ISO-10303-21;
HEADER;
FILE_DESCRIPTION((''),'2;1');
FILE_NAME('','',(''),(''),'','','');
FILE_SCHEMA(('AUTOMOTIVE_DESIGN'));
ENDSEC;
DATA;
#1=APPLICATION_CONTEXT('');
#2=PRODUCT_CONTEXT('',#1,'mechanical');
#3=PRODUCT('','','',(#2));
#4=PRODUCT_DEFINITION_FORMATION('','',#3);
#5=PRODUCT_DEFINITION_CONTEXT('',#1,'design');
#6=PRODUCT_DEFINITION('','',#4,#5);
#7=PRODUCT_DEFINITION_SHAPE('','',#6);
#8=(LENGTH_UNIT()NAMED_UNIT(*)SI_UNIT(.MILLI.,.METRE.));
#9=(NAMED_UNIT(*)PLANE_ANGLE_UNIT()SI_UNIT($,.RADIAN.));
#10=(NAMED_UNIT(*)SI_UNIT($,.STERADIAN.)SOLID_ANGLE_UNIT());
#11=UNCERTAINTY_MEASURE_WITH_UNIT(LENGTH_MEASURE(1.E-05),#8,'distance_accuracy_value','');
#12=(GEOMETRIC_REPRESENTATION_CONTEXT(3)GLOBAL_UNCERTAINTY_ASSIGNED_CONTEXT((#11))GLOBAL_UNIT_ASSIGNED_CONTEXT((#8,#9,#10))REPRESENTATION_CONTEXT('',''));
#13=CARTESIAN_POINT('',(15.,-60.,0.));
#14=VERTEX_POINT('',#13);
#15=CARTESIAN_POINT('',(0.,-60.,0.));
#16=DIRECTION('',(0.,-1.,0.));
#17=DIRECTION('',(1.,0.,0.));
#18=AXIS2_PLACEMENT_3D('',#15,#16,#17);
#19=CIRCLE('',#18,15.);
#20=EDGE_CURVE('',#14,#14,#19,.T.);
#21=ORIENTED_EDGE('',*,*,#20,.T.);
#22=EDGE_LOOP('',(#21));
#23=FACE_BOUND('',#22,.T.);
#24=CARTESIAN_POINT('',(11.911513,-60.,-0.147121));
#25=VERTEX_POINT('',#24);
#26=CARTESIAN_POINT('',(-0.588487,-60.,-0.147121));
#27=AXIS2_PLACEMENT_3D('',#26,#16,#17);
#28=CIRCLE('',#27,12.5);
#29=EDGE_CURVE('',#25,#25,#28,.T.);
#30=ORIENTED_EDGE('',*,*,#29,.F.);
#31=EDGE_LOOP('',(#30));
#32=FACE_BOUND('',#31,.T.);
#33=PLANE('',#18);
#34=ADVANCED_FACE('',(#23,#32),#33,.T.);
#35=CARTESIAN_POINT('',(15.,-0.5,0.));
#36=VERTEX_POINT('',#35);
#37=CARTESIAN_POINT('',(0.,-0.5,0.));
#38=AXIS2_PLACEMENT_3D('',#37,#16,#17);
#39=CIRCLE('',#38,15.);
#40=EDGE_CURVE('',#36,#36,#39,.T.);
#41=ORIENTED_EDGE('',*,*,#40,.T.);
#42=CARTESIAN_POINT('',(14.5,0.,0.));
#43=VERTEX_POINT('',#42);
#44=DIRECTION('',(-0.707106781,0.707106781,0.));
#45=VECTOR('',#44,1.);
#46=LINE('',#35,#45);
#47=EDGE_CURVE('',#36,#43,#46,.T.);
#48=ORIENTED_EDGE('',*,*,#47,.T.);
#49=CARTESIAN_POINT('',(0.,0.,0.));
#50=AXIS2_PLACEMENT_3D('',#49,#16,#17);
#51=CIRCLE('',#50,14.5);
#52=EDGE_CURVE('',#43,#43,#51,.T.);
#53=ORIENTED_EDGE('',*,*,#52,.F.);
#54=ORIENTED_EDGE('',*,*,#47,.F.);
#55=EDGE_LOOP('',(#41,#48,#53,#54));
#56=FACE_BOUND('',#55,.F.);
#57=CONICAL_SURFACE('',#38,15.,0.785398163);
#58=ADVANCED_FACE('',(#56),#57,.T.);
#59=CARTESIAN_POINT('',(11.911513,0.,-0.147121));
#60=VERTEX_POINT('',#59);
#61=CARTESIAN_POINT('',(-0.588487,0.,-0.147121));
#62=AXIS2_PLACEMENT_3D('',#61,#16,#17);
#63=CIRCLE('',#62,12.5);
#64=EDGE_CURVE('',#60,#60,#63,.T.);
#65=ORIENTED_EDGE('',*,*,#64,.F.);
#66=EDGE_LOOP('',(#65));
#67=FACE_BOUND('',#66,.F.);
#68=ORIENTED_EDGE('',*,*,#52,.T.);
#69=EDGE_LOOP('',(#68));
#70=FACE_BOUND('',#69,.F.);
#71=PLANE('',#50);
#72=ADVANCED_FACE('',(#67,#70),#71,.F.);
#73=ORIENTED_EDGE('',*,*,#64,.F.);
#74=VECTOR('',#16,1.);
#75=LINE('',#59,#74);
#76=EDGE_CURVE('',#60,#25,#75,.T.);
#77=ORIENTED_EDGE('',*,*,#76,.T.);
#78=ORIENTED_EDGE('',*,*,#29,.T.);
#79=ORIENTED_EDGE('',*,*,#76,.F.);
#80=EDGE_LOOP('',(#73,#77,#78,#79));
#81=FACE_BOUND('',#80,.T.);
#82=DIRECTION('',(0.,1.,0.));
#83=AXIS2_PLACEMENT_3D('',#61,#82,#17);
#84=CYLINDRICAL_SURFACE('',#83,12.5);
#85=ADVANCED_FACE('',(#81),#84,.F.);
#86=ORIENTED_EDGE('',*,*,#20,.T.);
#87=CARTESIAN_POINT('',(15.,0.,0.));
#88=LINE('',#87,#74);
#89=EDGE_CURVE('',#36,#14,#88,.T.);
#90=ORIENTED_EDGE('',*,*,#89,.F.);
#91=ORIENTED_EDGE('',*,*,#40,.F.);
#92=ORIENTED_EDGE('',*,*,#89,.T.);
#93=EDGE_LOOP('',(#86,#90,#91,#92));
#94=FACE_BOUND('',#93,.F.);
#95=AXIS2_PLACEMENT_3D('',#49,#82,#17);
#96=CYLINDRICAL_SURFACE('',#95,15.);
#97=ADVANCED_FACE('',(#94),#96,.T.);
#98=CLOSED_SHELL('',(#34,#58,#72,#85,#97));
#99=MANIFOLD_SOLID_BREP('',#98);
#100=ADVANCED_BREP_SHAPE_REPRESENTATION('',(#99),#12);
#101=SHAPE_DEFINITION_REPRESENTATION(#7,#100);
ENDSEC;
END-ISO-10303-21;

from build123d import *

# Parameters (mm, degrees)
F0_R     = 15
F0_R_2   = 12.5
F1_DEPTH = 60
F2_SIZE  = 0.5


with BuildPart() as f1:
    # F0 (on Front) → F1 (new body)
    with BuildSketch(Plane.XZ):
        Circle(F0_R)
        with Locations((-0.588487, -0.147121)):
            Circle(F0_R_2, mode=Mode.SUBTRACT)
    extrude(amount=F1_DEPTH)

    # F2
    f2_edges = [f1.edges().sort_by_distance(p)[0] for p in [
        (-15, 0, 0),
    ]]
    chamfer(f2_edges, length=F2_SIZE)


solid = f1.part
